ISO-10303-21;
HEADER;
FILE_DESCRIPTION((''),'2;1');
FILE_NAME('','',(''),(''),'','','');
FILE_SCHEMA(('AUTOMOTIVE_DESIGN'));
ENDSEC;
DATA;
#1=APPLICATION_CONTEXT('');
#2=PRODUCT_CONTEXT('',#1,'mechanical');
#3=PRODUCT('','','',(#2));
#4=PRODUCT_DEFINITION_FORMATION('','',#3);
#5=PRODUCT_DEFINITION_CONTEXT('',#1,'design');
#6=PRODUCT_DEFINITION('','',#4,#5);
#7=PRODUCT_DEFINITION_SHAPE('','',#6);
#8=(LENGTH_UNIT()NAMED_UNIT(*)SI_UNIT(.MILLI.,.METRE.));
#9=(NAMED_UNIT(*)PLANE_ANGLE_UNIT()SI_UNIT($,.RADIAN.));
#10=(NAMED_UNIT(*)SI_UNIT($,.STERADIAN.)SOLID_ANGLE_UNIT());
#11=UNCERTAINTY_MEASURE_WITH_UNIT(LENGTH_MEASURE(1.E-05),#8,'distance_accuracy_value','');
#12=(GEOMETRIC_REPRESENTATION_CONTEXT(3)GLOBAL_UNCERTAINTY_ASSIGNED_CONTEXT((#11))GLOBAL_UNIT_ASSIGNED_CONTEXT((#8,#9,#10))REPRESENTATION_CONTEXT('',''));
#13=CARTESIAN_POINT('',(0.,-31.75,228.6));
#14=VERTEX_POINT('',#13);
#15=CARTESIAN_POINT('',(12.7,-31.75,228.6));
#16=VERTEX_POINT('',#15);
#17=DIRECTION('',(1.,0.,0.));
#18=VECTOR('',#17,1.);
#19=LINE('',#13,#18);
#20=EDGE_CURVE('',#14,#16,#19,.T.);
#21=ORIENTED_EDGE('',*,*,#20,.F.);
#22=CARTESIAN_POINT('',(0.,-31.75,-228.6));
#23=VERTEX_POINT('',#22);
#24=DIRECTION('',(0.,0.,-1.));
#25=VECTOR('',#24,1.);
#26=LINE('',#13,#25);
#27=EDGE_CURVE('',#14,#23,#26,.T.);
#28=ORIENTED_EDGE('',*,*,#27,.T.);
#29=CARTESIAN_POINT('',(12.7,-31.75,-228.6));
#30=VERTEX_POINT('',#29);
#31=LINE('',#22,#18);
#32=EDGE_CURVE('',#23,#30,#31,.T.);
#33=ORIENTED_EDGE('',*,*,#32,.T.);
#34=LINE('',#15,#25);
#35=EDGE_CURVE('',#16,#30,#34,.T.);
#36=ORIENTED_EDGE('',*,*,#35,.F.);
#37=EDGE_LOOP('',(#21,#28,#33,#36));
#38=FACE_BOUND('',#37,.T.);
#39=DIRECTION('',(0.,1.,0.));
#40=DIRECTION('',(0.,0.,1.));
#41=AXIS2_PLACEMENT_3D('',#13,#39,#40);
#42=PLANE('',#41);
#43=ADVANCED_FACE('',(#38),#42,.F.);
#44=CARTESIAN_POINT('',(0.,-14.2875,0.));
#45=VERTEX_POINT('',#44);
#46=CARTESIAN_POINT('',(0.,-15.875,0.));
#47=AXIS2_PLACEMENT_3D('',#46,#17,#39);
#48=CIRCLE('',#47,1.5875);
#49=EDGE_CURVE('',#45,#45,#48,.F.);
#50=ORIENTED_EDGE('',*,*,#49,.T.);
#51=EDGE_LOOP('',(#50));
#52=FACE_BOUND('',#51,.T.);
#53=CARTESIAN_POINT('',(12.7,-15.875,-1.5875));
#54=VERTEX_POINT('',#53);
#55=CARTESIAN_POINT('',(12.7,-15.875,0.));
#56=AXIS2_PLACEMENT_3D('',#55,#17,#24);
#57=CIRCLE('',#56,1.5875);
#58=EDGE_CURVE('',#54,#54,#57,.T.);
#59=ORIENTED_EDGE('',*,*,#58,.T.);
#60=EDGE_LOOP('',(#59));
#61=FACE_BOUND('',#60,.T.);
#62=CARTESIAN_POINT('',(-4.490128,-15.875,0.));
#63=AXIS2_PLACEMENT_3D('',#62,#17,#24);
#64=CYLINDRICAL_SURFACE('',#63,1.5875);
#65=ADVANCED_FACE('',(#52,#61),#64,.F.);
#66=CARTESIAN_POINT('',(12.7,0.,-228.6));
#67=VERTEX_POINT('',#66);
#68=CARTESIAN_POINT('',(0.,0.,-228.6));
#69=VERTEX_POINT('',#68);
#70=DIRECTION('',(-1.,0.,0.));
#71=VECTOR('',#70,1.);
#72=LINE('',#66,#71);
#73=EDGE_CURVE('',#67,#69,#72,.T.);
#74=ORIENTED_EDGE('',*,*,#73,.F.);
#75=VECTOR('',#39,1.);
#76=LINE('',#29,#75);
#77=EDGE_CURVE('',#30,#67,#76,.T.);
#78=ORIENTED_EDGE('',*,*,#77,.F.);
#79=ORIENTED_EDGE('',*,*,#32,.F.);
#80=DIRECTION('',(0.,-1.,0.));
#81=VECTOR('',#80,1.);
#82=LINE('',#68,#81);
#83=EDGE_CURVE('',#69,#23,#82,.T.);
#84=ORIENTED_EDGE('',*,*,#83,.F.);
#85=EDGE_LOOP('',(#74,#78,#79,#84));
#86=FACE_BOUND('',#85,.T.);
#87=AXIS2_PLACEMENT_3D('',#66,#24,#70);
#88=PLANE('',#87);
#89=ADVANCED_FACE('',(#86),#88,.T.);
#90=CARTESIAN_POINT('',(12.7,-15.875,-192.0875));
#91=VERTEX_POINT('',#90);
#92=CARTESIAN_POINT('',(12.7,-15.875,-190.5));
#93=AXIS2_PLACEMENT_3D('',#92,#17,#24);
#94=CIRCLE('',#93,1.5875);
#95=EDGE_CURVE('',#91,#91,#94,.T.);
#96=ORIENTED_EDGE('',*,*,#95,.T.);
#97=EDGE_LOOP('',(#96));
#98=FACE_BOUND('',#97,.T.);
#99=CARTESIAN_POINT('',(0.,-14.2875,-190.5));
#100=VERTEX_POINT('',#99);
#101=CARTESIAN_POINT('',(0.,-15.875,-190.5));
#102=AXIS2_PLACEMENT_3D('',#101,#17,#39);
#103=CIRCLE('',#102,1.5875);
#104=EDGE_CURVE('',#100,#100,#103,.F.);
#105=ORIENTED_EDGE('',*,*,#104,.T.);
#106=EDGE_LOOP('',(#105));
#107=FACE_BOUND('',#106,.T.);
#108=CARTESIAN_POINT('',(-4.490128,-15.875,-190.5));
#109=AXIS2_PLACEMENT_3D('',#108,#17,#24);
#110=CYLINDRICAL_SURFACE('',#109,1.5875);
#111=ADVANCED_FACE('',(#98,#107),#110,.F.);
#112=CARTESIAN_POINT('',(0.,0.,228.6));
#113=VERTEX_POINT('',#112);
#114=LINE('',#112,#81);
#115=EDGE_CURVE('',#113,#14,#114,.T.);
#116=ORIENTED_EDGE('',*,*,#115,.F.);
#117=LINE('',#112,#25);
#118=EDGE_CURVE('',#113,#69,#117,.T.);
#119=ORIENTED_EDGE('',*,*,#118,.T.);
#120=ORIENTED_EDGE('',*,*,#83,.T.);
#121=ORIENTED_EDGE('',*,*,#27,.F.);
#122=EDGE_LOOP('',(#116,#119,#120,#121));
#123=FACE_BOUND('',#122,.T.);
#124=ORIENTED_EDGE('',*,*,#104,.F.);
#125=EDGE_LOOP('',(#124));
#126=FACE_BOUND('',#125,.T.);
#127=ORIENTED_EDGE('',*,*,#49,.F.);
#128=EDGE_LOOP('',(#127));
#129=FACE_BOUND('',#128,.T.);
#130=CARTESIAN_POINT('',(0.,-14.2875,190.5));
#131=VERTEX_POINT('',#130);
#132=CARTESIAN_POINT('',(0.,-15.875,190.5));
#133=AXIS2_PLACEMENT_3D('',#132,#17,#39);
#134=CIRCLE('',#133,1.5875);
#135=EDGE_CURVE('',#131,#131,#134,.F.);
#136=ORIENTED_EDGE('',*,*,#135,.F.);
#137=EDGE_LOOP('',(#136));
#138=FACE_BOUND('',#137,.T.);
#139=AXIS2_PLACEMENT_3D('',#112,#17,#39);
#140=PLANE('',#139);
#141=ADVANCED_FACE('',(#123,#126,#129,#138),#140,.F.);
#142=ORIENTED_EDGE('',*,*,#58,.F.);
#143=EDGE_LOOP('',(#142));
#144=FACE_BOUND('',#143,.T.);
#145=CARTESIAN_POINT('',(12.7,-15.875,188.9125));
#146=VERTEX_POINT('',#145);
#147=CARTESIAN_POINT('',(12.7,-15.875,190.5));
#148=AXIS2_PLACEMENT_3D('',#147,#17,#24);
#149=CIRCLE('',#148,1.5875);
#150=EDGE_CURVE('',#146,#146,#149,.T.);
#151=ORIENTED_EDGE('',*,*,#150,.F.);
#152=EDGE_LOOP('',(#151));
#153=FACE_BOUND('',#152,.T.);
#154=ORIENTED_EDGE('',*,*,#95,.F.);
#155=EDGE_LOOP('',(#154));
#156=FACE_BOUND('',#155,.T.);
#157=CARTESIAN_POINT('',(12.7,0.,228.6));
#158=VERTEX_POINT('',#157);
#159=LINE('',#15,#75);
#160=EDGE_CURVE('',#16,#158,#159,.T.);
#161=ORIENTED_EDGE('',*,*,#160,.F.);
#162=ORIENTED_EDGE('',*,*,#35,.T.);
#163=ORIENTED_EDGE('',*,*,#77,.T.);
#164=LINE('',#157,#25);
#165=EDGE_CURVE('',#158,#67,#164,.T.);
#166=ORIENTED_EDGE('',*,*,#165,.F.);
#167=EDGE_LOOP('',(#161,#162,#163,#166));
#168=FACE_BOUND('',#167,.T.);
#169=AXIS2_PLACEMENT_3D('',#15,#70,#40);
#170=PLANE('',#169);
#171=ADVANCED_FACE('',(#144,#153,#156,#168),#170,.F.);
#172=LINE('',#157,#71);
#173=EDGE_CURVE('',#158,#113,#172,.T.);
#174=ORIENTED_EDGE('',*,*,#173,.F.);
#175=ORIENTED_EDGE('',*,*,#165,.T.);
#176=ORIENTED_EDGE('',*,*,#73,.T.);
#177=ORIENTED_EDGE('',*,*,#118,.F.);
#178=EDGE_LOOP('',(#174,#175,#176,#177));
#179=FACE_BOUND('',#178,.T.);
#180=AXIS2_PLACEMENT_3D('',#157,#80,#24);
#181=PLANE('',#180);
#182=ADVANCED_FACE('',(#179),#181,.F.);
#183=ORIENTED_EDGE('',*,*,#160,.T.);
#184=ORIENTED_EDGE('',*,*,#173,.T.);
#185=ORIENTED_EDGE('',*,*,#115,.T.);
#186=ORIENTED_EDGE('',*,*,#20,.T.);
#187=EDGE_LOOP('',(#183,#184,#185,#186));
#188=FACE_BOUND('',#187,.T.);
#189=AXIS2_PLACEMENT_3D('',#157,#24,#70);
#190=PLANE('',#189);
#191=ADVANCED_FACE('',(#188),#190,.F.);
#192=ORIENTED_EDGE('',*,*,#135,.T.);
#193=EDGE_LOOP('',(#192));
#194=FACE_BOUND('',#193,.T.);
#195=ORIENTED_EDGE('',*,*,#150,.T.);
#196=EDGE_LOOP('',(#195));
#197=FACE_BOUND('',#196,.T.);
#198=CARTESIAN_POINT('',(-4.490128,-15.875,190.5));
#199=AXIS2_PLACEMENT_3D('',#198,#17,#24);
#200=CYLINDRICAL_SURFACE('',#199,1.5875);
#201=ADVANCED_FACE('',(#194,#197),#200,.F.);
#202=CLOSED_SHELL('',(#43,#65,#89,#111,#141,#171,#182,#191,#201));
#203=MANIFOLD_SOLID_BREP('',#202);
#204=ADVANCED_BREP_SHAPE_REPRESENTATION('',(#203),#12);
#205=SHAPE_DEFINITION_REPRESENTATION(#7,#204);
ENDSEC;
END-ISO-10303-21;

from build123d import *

# Parameters (mm, degrees)
SKETCH1_W          = 12.7
SKETCH1_H          = 31.75
EXTRUDE1_DEPTH     = 228.6
SKETCH2_R          = 1.5875
CUT_EXTRUDE1_DEPTH = 12.7


with BuildPart() as part:
    # Sketch1 → Extrude1 (new body, symmetric)
    with BuildSketch(Plane.XY):
        with Locations((6.35, -15.875)):
            Rectangle(SKETCH1_W, SKETCH1_H)
    extrude(amount=EXTRUDE1_DEPTH, both=True)

    # Sketch2 → Cut-Extrude1 (cut)
    with BuildSketch(Plane(origin=(12.7, 0, 0), x_dir=(0, 0, -1), z_dir=(1, 0, 0))):
        with Locations((-190.5, -15.875)):
            Circle(SKETCH2_R)
        with Locations((190.5, -15.875)):
            Circle(SKETCH2_R)
        with Locations((0, -15.875)):
            Circle(SKETCH2_R)
    extrude(amount=-CUT_EXTRUDE1_DEPTH, mode=Mode.SUBTRACT)


solid = part.part
